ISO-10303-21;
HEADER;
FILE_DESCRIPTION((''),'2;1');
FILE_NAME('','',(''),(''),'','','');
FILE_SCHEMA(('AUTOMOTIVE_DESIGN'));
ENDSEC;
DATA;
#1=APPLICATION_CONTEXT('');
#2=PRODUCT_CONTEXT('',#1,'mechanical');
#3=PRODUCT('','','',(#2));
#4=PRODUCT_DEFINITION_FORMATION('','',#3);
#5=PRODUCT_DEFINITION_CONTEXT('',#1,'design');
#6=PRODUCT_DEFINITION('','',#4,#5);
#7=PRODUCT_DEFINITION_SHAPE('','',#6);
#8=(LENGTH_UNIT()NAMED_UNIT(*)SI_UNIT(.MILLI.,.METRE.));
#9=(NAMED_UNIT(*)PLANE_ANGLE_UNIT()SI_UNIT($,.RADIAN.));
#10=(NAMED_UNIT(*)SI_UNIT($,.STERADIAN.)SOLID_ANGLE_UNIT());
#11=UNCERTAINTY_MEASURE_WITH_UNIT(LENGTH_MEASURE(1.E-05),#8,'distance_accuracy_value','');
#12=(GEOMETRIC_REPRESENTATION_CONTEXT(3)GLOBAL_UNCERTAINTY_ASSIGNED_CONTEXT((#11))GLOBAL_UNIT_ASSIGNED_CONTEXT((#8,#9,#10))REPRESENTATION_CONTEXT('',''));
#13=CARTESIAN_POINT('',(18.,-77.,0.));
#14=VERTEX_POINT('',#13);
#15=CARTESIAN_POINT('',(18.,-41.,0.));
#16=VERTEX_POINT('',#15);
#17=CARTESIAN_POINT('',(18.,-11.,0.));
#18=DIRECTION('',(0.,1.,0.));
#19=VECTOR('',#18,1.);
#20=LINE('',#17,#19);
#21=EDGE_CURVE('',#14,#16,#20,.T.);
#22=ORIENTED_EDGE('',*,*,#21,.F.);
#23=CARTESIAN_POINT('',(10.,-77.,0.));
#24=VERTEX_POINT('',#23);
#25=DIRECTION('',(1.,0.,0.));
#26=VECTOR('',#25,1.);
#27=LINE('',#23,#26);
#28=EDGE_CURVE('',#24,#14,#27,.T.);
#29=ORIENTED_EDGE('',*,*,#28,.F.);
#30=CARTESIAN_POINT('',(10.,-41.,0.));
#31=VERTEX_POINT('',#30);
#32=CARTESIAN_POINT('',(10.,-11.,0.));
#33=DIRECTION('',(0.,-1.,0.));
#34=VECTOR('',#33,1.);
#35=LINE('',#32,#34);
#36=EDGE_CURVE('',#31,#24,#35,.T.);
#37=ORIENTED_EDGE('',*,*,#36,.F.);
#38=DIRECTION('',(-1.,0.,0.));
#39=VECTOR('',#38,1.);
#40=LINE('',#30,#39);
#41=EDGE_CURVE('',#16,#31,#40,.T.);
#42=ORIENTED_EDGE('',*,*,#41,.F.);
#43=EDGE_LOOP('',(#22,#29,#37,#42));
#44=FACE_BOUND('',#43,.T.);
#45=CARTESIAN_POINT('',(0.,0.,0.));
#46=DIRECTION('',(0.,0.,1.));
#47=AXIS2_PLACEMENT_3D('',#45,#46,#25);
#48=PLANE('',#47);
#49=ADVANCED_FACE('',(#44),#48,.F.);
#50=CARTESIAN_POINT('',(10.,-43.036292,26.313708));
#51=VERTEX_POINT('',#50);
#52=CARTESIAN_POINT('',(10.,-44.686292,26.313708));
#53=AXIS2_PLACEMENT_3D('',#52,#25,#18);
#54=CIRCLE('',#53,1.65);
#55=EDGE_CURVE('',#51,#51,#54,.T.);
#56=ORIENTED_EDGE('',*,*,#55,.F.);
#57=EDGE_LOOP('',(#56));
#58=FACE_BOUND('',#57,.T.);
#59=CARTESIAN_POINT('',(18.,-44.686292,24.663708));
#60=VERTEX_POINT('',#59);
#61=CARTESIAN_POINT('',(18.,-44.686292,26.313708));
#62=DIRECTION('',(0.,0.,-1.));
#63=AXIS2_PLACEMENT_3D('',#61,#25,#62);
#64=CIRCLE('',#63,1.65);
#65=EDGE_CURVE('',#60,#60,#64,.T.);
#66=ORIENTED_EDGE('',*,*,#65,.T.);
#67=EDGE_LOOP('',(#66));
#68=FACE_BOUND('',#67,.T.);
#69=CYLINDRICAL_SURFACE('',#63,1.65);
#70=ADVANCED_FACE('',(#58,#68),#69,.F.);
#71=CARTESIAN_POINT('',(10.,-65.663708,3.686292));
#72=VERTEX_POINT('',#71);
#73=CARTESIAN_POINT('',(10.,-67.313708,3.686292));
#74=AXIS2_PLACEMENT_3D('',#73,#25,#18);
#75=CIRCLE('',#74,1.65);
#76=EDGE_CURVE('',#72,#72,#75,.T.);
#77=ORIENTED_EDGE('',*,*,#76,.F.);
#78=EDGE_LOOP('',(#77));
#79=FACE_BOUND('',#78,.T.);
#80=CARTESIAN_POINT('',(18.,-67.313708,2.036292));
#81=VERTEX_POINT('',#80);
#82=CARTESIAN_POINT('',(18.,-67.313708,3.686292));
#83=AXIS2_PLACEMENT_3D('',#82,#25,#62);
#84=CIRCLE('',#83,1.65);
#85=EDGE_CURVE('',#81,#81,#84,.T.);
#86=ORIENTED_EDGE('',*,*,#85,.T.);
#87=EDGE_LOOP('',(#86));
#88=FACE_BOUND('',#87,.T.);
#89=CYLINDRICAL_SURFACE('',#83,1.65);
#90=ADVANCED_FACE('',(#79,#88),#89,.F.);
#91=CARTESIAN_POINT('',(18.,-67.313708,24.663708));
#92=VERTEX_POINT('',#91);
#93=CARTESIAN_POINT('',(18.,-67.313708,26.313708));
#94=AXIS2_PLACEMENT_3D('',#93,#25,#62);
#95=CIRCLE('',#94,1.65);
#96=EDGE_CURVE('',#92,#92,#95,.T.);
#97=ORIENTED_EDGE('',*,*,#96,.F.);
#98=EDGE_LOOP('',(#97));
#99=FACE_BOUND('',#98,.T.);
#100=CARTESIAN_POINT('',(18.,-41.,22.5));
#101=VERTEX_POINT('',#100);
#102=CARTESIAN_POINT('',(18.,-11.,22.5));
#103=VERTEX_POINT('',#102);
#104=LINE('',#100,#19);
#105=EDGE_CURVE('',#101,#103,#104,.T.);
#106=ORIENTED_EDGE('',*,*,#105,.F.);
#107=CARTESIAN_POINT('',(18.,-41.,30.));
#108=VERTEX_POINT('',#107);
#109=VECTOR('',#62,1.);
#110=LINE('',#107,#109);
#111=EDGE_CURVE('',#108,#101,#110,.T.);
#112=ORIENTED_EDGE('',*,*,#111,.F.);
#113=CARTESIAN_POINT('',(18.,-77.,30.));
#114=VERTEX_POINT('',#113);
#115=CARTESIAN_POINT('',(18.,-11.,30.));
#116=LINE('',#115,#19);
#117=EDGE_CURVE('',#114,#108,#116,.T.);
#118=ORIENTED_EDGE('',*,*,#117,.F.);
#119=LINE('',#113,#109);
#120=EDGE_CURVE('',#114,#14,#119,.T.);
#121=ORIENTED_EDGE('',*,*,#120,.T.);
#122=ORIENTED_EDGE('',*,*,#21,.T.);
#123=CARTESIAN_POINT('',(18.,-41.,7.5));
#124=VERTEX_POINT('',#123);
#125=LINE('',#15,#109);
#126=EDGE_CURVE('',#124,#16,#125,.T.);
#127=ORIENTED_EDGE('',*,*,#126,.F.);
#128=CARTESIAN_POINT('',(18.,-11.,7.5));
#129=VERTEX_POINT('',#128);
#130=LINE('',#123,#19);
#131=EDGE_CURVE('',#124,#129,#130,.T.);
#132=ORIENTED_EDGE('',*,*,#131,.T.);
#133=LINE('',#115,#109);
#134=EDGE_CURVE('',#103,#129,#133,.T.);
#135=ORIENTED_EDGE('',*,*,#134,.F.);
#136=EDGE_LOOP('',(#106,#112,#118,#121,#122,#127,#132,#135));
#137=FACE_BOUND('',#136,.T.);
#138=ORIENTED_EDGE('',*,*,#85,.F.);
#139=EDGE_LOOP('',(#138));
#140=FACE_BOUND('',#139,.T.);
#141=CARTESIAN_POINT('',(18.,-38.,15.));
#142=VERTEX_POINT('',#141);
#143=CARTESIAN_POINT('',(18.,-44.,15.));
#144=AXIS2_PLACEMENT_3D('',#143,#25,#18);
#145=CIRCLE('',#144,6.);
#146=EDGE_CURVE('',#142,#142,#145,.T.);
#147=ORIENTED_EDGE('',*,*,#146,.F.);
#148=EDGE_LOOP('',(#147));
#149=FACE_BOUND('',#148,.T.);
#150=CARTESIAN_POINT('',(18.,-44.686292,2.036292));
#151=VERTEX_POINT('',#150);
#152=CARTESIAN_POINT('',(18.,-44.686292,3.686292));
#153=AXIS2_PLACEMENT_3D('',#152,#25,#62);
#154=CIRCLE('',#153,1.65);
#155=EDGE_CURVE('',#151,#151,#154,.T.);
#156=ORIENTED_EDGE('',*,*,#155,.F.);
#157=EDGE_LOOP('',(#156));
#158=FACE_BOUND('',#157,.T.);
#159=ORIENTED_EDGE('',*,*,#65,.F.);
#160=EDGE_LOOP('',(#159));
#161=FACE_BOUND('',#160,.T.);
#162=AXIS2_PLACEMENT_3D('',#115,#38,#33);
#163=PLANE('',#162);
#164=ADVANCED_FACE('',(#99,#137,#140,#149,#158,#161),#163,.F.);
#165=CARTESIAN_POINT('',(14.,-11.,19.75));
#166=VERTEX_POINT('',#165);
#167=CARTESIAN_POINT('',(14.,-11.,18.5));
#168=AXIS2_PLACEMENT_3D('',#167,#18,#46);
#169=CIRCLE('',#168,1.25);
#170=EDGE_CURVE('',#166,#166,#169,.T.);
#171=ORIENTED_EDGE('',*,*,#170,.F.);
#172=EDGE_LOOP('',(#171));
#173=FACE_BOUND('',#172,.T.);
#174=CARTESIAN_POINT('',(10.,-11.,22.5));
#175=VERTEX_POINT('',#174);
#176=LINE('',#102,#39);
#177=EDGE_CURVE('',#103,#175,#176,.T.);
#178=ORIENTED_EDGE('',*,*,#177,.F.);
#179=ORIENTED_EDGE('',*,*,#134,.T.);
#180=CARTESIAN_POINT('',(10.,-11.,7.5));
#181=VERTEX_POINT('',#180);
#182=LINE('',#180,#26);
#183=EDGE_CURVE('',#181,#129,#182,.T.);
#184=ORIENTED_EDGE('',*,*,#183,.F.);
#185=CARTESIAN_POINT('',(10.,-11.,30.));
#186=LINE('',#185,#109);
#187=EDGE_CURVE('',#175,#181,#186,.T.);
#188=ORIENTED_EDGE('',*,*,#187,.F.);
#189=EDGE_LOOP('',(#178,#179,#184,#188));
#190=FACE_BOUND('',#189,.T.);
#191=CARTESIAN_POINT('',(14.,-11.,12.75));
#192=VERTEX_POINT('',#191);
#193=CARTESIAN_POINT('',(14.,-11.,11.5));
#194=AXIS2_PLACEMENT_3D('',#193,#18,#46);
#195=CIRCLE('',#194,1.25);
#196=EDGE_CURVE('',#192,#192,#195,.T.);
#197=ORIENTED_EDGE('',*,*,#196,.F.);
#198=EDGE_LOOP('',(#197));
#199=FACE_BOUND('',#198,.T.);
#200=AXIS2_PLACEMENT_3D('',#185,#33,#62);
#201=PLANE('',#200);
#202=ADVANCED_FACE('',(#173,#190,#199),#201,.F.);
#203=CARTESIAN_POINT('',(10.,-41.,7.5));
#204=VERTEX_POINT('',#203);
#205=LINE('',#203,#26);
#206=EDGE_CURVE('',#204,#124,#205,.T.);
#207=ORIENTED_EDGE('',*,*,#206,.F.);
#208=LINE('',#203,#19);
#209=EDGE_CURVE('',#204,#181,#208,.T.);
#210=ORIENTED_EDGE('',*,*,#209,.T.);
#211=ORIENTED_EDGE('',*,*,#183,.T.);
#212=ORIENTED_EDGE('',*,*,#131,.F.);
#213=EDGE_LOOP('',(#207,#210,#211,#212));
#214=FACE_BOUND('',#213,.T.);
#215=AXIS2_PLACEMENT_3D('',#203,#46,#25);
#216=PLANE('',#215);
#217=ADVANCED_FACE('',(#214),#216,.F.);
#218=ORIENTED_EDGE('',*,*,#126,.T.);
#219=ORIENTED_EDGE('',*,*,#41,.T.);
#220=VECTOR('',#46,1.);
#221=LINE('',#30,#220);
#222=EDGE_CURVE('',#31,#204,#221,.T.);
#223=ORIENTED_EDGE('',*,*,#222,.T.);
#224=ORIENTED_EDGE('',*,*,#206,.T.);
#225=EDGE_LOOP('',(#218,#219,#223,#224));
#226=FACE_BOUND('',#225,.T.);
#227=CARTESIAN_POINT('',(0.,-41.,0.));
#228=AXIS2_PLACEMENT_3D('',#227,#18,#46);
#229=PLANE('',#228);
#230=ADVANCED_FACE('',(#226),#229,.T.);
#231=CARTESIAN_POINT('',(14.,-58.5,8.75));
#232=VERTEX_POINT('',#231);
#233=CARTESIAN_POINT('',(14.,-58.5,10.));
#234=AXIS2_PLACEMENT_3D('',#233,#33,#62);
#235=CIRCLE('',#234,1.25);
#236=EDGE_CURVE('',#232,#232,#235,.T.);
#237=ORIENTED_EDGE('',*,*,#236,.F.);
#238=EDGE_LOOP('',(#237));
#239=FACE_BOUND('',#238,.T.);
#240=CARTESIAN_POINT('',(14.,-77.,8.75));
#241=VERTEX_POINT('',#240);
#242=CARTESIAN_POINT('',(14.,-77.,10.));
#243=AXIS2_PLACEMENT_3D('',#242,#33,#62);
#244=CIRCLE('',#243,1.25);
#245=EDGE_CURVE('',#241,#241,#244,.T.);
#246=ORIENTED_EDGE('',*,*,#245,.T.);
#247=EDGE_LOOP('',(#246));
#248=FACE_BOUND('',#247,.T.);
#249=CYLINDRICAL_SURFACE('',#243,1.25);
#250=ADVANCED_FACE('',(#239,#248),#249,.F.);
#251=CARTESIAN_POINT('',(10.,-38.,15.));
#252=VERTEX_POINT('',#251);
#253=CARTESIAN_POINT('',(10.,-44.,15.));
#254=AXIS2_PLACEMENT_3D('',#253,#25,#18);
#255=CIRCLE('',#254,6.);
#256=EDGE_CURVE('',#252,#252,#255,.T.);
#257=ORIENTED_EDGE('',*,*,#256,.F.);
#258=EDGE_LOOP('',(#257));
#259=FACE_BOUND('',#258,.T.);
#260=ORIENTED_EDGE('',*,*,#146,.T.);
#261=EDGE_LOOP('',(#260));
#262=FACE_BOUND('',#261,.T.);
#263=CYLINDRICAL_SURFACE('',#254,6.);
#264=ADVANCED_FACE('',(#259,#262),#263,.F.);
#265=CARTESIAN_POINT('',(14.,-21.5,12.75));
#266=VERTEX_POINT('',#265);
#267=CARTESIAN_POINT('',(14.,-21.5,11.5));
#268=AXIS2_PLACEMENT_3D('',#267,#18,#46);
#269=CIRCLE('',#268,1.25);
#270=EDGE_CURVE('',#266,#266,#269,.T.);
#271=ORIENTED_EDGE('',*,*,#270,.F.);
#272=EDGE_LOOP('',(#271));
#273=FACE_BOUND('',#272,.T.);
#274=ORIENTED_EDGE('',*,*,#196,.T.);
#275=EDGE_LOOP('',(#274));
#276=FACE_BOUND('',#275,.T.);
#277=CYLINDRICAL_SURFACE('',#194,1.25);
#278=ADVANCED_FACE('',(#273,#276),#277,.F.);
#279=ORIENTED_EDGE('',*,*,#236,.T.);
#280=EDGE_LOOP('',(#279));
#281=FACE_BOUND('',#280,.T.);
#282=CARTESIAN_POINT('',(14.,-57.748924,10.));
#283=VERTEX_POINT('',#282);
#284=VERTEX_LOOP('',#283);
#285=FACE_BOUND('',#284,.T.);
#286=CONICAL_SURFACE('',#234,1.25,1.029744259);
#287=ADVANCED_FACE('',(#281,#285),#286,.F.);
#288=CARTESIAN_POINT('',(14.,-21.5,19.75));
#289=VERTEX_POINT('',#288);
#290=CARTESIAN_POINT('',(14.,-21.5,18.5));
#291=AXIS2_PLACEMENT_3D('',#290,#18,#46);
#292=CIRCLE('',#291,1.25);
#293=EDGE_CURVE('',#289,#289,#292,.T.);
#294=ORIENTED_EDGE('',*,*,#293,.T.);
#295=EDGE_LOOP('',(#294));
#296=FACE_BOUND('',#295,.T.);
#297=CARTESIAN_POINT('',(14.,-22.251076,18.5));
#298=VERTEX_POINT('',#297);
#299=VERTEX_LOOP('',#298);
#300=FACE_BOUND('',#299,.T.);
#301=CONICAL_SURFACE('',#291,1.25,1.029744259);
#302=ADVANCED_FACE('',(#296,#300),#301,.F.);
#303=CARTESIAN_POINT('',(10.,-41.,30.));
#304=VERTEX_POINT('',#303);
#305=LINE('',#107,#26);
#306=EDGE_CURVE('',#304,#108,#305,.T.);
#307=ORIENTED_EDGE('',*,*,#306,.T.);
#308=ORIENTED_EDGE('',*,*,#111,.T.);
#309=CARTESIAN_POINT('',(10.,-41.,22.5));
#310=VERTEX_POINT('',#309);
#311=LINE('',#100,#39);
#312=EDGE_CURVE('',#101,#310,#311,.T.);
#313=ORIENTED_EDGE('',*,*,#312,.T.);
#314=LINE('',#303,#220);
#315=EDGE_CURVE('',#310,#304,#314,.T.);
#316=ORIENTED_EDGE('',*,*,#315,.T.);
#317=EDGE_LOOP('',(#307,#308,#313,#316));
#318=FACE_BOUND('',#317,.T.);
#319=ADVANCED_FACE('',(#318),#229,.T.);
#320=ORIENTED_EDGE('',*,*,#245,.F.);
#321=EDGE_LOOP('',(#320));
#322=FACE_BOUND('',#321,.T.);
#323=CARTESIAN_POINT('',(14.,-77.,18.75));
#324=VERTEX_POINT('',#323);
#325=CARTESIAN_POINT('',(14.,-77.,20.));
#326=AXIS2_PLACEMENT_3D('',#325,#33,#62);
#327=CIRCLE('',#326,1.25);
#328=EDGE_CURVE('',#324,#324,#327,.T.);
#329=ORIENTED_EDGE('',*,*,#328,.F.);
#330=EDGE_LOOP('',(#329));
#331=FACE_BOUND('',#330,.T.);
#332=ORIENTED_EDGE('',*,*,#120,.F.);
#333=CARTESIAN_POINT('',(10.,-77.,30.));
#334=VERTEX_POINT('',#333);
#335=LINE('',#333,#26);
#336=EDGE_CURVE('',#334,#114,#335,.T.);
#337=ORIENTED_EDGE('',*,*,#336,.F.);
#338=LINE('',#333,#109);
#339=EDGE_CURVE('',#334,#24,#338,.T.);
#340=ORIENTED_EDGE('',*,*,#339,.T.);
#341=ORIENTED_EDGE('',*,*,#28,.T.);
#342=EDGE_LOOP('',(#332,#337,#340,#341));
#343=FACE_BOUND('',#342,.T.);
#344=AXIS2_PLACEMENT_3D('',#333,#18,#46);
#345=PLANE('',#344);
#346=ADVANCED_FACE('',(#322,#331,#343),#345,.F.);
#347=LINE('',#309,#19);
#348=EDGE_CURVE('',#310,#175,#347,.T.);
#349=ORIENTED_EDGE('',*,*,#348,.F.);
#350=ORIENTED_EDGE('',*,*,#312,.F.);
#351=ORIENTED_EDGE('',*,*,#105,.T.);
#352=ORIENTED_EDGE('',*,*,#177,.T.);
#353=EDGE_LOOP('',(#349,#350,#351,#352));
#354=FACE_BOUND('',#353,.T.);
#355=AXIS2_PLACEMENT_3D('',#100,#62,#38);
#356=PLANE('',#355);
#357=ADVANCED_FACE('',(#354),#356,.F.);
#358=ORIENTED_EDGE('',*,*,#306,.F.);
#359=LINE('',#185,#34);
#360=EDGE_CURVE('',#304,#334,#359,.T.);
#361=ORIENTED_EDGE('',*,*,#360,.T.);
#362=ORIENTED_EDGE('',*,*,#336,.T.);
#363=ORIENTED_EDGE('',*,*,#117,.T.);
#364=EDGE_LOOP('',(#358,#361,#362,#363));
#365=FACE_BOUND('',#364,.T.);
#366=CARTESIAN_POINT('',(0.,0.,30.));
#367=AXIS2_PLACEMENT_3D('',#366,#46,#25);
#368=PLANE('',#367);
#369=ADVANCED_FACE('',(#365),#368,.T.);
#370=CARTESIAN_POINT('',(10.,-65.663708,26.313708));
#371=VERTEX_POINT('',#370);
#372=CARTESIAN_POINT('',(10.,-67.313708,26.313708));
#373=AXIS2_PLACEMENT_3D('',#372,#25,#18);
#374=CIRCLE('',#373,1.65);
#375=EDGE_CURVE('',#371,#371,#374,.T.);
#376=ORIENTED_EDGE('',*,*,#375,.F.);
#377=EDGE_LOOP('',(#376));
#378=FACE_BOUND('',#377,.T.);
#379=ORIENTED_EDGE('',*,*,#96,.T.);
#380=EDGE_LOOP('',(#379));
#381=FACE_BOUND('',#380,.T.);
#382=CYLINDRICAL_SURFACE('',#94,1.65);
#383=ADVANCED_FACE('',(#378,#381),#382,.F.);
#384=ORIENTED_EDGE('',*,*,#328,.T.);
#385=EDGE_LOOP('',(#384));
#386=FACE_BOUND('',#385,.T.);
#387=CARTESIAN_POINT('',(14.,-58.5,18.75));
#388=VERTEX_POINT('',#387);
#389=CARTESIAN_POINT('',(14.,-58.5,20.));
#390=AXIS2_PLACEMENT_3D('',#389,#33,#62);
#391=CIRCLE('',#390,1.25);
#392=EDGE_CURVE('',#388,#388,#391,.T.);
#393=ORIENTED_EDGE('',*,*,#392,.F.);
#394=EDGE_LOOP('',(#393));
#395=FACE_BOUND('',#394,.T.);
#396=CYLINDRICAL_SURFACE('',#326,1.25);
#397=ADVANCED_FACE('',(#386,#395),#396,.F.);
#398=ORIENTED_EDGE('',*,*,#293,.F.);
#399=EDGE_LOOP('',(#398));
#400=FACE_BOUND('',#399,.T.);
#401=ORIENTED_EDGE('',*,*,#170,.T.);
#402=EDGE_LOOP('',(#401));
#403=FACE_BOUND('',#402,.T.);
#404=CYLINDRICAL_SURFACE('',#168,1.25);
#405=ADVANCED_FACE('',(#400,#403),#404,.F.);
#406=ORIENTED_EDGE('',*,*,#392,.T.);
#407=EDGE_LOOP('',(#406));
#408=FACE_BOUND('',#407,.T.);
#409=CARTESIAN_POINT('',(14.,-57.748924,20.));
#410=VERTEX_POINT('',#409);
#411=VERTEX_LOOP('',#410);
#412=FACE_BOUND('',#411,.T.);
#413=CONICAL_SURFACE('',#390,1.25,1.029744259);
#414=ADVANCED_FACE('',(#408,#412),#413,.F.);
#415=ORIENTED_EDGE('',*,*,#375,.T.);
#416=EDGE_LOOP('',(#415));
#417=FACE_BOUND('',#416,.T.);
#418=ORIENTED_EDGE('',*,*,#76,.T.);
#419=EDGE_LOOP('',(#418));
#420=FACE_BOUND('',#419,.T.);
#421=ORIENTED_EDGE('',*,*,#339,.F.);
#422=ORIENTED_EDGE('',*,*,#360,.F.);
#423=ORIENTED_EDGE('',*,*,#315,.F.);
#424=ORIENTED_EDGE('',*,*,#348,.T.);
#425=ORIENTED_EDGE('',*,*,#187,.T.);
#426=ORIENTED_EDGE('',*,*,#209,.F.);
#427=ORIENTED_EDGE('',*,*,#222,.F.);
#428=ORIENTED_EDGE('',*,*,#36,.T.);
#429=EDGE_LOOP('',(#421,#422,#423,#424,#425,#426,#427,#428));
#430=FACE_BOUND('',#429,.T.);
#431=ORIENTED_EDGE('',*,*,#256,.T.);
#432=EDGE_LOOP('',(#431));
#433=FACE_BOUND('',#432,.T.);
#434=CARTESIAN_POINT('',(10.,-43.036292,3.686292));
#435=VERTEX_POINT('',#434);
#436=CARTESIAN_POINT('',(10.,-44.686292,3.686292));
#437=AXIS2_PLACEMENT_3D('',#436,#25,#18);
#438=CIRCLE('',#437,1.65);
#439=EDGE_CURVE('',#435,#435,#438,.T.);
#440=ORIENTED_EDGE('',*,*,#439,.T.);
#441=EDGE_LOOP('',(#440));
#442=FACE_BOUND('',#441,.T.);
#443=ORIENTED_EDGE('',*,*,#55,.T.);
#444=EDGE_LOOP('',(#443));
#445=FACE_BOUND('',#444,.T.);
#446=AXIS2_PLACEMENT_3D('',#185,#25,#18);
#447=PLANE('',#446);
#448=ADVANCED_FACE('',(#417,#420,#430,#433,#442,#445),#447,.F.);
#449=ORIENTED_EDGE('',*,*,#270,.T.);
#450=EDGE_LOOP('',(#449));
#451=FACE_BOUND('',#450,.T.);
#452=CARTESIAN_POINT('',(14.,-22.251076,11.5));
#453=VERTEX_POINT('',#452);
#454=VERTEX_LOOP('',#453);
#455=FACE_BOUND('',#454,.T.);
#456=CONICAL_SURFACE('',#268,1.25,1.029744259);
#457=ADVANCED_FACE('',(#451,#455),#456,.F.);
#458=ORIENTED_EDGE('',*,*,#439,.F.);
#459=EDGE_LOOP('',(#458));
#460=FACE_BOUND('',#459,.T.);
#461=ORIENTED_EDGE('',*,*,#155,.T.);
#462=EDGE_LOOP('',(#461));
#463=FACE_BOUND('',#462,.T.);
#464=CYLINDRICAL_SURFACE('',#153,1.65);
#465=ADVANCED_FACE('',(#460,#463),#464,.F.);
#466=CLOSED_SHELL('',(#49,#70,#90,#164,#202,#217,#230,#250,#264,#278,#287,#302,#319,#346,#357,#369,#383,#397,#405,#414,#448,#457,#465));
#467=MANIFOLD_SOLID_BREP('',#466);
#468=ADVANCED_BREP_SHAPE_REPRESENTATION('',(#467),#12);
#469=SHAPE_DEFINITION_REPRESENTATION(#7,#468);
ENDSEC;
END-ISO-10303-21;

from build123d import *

# Parameters (mm, degrees)
SKETCH_1_W             = 8
SKETCH_1_H             = 66
EXTRUDE_1_DEPTH        = 30
SKETCH_7_R             = 1.5
CUT_EXTRUDE_2_DEPTH    = 5
HOLE_WIZARD_M4_2_D     = 3.3
HOLE_WIZARD_M4_2_DEPTH = 10.1
HOLE_WIZARD_M4_2_TIP   = 0.991420021
SKETCH_10_R            = 1
CUT_EXTRUDE_4_DEPTH    = 5
HOLE_WIZARD_M3_1_D     = 2.5
HOLE_WIZARD_M3_1_DEPTH = 10.5
HOLE_WIZARD_M3_1_TIP   = 0.751075774
SKETCH_12_R            = 1
CUT_EXTRUDE_5_DEPTH    = 5
HOLE_WIZARD_M3_2_D     = 2.5
HOLE_WIZARD_M3_2_DEPTH = 18.5
HOLE_WIZARD_M3_2_TIP   = 0.751075774
SKETCH_14_W            = 8
SKETCH_14_H            = 7.5
CUT_EXTRUDE_6_DEPTH    = 30
SKETCH_15_R            = 6
CUT_EXTRUDE_7_DEPTH    = 84.024092889


with BuildPart() as part:
    # 草图1 → 凸台-拉伸1 (new body)
    with BuildSketch(Plane.XY):
        with Locations((14, -44)):
            Rectangle(SKETCH_1_W, SKETCH_1_H)
    extrude(amount=EXTRUDE_1_DEPTH)

    # 草图7 → 切除-拉伸2 (cut)
    with BuildSketch(Plane.ZY.offset(-10)):
        with Locations(Location((26.313708499, -44.686291501, 0), (0, 0, 270))):
            Circle(SKETCH_7_R)
        with Locations(Location((3.686291501, -44.686291501, 0), (0, 0, 90))):
            Circle(SKETCH_7_R)
        with Locations(Location((26.313708499, -67.313708499, 0), (0, 0, 90))):
            Circle(SKETCH_7_R)
        with Locations(Location((3.686291501, -67.313708499, 0), (0, 0, 270))):
            Circle(SKETCH_7_R)
    extrude(amount=-CUT_EXTRUDE_2_DEPTH, mode=Mode.SUBTRACT)

    # M4 螺纹孔2
    with Locations(Plane(origin=(18, -44.686291501, 3.686291501), x_dir=(0, 1, 0), z_dir=(1, 0, 0))):
        with Locations((0, 0), (-22.627416998, 0), (-22.627416998, 22.627416998), (0, 22.627416998)):
            Hole(HOLE_WIZARD_M4_2_D / 2, depth=HOLE_WIZARD_M4_2_DEPTH)
            with Locations((0, 0, -(HOLE_WIZARD_M4_2_DEPTH + HOLE_WIZARD_M4_2_TIP / 2))):  # 118° drill point
                Cone(0, HOLE_WIZARD_M4_2_D / 2, HOLE_WIZARD_M4_2_TIP, mode=Mode.SUBTRACT)

    # 草图10 → 切除-拉伸4 (cut)
    with BuildSketch(Plane(origin=(0, -11, 0), x_dir=(1, 0, 0), z_dir=(0, 1, 0))):
        with Locations(Location((14, -11.5, 0), (0, 0, 270))):
            Circle(SKETCH_10_R)
        with Locations(Location((14, -18.5, 0), (0, 0, 270))):
            Circle(SKETCH_10_R)
    extrude(amount=-CUT_EXTRUDE_4_DEPTH, mode=Mode.SUBTRACT)

    # M3 螺纹孔1
    with Locations(Plane(origin=(14, -11, 11.5), x_dir=(0, 0, 1), z_dir=(0, 1, 0))):
        with Locations((0, 0), (7, 0)):
            Hole(HOLE_WIZARD_M3_1_D / 2, depth=HOLE_WIZARD_M3_1_DEPTH)
            with Locations((0, 0, -(HOLE_WIZARD_M3_1_DEPTH + HOLE_WIZARD_M3_1_TIP / 2))):  # 118° drill point
                Cone(0, HOLE_WIZARD_M3_1_D / 2, HOLE_WIZARD_M3_1_TIP, mode=Mode.SUBTRACT)

    # 草图12 → 切除-拉伸5 (cut)
    with BuildSketch(Plane.XZ.offset(77)):
        with Locations(Location((14, 20, 0), (0, 0, 270))):
            Circle(SKETCH_12_R)
        with Locations(Location((14, 10, 0), (0, 0, 270))):
            Circle(SKETCH_12_R)
    extrude(amount=-CUT_EXTRUDE_5_DEPTH, mode=Mode.SUBTRACT)

    # M3 螺纹孔2
    with Locations(Plane(origin=(14, -77, 20), x_dir=(0, 0, -1), z_dir=(0, -1, 0))):
        with Locations((0, 0), (10, 0)):
            Hole(HOLE_WIZARD_M3_2_D / 2, depth=HOLE_WIZARD_M3_2_DEPTH)
            with Locations((0, 0, -(HOLE_WIZARD_M3_2_DEPTH + HOLE_WIZARD_M3_2_TIP / 2))):  # 118° drill point
                Cone(0, HOLE_WIZARD_M3_2_D / 2, HOLE_WIZARD_M3_2_TIP, mode=Mode.SUBTRACT)

    # 草图14 → 切除-拉伸6 (cut)
    with BuildSketch(Plane(origin=(0, -11, 0), x_dir=(1, 0, 0), z_dir=(0, 1, 0))):
        with Locations((14, -3.75)):
            Rectangle(SKETCH_14_W, SKETCH_14_H)
        with Locations((14, -26.25)):
            Rectangle(SKETCH_14_W, SKETCH_14_H)
    extrude(amount=-CUT_EXTRUDE_6_DEPTH, mode=Mode.SUBTRACT)

    # 草图15 → 切除-拉伸7 (cut, through all)
    with BuildSketch(Plane(origin=(18, 0, 0), x_dir=(0, 0, -1), z_dir=(1, 0, 0))):
        with Locations(Location((-15, -44, 0), (0, 0, 90))):
            Circle(SKETCH_15_R)
    extrude(amount=-CUT_EXTRUDE_7_DEPTH, mode=Mode.SUBTRACT)


solid = part.part
